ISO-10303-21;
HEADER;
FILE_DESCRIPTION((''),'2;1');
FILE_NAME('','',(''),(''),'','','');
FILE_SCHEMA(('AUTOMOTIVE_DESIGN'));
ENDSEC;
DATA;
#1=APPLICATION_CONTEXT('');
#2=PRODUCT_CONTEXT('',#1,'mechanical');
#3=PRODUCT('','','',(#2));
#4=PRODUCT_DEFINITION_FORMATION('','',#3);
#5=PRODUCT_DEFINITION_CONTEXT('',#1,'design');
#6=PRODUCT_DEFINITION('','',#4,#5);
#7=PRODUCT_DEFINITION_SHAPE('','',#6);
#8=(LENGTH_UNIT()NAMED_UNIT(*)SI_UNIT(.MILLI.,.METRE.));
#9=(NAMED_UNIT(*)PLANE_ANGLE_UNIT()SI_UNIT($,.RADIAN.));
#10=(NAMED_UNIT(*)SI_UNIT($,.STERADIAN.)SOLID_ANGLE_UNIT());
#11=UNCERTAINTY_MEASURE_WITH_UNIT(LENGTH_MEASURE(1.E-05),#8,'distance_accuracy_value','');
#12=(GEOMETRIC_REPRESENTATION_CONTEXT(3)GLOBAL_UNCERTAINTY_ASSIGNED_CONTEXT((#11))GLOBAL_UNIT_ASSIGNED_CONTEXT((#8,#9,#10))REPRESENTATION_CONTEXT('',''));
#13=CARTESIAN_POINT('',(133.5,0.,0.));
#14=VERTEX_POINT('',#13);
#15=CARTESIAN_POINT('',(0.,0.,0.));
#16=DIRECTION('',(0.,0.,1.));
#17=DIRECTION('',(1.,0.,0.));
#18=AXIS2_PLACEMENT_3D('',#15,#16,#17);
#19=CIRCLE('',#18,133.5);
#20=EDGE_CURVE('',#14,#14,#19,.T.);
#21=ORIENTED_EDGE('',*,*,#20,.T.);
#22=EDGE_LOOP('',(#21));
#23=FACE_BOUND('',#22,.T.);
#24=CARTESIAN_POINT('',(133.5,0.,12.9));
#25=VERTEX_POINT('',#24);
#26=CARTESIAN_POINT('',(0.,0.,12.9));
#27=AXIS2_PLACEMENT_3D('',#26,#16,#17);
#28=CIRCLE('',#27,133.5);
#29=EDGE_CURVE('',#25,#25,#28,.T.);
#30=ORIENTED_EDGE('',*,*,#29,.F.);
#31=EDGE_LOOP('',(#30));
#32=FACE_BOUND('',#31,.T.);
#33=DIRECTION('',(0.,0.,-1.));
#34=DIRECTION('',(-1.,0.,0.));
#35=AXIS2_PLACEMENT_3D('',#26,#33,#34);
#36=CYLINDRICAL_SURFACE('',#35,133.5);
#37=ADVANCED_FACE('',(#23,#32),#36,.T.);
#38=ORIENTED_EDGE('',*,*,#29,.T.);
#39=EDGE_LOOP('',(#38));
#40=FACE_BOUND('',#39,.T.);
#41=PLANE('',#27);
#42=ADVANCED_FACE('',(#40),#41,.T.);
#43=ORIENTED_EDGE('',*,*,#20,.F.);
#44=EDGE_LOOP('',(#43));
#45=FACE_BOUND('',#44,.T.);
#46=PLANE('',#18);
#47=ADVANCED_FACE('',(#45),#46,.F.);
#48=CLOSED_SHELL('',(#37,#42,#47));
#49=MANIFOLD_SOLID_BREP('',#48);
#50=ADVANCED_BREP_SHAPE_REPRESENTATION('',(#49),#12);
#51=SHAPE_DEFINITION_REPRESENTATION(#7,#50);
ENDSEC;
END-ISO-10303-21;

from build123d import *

# Parameters (mm, degrees)
SKETCH1_R           = 133.5
BOSS_EXTRUDE1_DEPTH = 12.9


with BuildPart() as part:
    # Sketch1 → Boss-Extrude1 (new body)
    with BuildSketch(Plane.XY):
        Circle(SKETCH1_R)
    extrude(amount=BOSS_EXTRUDE1_DEPTH)


solid = part.part
